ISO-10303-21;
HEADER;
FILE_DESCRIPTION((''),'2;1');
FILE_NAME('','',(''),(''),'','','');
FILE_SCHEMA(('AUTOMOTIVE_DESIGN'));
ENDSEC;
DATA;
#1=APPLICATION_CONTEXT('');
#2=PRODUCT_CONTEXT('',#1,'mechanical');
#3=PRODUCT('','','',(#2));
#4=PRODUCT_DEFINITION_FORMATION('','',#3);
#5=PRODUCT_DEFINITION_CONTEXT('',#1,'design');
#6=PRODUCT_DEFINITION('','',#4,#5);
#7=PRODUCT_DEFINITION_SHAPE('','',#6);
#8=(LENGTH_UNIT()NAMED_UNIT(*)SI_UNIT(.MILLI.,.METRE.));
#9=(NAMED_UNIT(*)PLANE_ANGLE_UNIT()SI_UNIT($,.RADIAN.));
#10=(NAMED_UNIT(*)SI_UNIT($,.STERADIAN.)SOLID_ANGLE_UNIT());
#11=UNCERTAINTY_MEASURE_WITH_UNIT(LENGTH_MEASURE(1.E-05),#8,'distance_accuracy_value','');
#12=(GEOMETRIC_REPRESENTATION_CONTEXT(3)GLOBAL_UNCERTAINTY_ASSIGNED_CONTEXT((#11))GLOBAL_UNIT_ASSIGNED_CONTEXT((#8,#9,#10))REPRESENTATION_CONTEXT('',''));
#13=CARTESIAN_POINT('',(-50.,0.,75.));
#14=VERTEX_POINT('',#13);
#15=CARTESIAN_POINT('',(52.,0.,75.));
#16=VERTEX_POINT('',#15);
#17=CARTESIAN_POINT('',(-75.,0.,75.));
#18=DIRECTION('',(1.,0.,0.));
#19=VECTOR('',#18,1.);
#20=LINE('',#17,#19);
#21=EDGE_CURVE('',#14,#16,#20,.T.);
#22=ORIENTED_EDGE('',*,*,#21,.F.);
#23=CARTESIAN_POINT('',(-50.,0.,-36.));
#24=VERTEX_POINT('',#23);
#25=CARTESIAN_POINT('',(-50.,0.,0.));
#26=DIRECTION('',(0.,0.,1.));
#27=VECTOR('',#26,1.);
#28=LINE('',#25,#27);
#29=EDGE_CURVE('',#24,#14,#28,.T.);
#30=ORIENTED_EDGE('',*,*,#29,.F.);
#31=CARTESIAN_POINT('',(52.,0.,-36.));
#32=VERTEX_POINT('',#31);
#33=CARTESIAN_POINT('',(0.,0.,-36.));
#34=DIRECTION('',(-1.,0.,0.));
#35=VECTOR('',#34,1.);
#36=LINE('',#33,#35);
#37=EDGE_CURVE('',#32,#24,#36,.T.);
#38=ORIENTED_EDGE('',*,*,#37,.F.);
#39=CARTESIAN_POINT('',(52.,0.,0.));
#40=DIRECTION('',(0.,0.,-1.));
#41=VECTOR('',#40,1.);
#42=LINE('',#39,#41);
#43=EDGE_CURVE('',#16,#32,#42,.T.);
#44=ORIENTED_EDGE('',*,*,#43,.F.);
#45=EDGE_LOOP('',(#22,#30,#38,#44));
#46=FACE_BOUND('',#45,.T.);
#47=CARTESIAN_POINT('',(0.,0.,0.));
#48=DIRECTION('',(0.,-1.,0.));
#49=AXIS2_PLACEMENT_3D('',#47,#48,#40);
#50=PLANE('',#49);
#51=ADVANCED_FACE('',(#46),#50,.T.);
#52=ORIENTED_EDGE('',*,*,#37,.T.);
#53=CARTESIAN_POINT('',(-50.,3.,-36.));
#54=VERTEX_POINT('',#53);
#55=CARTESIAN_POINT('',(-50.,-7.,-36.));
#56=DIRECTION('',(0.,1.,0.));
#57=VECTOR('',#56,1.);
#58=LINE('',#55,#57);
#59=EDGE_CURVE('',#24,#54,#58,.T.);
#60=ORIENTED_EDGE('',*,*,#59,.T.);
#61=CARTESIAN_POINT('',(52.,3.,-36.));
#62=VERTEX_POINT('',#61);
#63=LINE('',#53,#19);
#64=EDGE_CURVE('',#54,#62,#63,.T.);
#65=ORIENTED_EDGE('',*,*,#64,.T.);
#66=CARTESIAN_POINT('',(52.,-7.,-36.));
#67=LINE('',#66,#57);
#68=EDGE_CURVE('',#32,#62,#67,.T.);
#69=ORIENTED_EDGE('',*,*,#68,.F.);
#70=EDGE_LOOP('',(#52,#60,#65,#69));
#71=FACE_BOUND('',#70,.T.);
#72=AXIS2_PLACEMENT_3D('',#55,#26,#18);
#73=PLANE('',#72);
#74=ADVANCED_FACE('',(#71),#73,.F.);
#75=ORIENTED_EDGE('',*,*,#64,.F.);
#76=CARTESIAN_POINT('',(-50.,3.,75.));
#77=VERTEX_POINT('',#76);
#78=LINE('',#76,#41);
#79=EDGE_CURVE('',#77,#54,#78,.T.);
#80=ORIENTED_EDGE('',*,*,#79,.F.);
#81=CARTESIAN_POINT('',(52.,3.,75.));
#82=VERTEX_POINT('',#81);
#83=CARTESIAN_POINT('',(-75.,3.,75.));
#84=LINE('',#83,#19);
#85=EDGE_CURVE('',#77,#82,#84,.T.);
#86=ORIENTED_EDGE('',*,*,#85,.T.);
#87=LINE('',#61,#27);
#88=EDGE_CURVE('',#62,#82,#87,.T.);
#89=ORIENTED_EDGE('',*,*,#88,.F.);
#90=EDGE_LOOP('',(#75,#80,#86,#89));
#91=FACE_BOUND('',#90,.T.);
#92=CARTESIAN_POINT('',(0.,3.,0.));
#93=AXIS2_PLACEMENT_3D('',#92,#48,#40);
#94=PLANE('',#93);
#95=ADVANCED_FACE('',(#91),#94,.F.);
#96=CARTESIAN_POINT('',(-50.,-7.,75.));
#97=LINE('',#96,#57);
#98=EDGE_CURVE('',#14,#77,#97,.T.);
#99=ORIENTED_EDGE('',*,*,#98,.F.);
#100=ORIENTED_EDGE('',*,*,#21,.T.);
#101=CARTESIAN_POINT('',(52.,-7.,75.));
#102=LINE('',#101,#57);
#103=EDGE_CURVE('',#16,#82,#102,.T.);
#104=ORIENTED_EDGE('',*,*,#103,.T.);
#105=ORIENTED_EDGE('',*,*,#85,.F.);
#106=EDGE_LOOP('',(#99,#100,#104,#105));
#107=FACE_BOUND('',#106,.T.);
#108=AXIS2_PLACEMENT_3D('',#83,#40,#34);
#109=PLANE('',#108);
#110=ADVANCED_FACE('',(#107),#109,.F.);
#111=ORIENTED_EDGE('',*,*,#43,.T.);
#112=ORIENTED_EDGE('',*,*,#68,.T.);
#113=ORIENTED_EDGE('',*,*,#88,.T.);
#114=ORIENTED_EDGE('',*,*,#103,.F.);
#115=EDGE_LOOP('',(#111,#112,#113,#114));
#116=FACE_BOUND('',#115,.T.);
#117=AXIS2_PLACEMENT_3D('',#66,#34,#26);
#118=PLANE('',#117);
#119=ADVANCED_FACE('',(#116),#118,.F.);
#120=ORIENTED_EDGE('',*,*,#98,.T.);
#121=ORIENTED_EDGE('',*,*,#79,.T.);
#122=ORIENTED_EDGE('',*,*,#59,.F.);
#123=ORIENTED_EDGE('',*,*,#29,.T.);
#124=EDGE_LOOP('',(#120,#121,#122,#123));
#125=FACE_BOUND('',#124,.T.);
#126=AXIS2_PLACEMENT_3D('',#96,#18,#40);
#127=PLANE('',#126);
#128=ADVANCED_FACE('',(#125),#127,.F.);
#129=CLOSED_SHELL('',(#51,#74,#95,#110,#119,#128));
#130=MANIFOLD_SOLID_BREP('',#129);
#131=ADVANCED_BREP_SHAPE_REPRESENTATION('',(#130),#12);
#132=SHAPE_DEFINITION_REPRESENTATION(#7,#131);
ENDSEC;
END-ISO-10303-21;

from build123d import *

# Parameters (mm, degrees)
SKETCH1_W           = 150
SKETCH1_H           = 150
BOSS_EXTRUDE1_DEPTH = 3
CUT_EXTRUDE1_DEPTH  = 10


with BuildPart() as part:
    # Sketch1 → Boss-Extrude1 (new body)
    with BuildSketch(Plane(origin=(0, 0, 0), x_dir=(1, 0, 0), z_dir=(0, 1, 0))):
        Rectangle(SKETCH1_W, SKETCH1_H)
    extrude(amount=BOSS_EXTRUDE1_DEPTH)

    # Sketch2 → Cut-Extrude1 (cut)
    with BuildSketch(Plane(origin=(0, 3, 0), x_dir=(1, 0, 0), z_dir=(0, 1, 0))):
        Polygon((-50, -75), (-50, 36), (52, 36), (52, -75), (75, -75), (75, 75), (-75, 75), (-75, -75), align=None)
    extrude(amount=-CUT_EXTRUDE1_DEPTH, mode=Mode.SUBTRACT)


solid = part.part
